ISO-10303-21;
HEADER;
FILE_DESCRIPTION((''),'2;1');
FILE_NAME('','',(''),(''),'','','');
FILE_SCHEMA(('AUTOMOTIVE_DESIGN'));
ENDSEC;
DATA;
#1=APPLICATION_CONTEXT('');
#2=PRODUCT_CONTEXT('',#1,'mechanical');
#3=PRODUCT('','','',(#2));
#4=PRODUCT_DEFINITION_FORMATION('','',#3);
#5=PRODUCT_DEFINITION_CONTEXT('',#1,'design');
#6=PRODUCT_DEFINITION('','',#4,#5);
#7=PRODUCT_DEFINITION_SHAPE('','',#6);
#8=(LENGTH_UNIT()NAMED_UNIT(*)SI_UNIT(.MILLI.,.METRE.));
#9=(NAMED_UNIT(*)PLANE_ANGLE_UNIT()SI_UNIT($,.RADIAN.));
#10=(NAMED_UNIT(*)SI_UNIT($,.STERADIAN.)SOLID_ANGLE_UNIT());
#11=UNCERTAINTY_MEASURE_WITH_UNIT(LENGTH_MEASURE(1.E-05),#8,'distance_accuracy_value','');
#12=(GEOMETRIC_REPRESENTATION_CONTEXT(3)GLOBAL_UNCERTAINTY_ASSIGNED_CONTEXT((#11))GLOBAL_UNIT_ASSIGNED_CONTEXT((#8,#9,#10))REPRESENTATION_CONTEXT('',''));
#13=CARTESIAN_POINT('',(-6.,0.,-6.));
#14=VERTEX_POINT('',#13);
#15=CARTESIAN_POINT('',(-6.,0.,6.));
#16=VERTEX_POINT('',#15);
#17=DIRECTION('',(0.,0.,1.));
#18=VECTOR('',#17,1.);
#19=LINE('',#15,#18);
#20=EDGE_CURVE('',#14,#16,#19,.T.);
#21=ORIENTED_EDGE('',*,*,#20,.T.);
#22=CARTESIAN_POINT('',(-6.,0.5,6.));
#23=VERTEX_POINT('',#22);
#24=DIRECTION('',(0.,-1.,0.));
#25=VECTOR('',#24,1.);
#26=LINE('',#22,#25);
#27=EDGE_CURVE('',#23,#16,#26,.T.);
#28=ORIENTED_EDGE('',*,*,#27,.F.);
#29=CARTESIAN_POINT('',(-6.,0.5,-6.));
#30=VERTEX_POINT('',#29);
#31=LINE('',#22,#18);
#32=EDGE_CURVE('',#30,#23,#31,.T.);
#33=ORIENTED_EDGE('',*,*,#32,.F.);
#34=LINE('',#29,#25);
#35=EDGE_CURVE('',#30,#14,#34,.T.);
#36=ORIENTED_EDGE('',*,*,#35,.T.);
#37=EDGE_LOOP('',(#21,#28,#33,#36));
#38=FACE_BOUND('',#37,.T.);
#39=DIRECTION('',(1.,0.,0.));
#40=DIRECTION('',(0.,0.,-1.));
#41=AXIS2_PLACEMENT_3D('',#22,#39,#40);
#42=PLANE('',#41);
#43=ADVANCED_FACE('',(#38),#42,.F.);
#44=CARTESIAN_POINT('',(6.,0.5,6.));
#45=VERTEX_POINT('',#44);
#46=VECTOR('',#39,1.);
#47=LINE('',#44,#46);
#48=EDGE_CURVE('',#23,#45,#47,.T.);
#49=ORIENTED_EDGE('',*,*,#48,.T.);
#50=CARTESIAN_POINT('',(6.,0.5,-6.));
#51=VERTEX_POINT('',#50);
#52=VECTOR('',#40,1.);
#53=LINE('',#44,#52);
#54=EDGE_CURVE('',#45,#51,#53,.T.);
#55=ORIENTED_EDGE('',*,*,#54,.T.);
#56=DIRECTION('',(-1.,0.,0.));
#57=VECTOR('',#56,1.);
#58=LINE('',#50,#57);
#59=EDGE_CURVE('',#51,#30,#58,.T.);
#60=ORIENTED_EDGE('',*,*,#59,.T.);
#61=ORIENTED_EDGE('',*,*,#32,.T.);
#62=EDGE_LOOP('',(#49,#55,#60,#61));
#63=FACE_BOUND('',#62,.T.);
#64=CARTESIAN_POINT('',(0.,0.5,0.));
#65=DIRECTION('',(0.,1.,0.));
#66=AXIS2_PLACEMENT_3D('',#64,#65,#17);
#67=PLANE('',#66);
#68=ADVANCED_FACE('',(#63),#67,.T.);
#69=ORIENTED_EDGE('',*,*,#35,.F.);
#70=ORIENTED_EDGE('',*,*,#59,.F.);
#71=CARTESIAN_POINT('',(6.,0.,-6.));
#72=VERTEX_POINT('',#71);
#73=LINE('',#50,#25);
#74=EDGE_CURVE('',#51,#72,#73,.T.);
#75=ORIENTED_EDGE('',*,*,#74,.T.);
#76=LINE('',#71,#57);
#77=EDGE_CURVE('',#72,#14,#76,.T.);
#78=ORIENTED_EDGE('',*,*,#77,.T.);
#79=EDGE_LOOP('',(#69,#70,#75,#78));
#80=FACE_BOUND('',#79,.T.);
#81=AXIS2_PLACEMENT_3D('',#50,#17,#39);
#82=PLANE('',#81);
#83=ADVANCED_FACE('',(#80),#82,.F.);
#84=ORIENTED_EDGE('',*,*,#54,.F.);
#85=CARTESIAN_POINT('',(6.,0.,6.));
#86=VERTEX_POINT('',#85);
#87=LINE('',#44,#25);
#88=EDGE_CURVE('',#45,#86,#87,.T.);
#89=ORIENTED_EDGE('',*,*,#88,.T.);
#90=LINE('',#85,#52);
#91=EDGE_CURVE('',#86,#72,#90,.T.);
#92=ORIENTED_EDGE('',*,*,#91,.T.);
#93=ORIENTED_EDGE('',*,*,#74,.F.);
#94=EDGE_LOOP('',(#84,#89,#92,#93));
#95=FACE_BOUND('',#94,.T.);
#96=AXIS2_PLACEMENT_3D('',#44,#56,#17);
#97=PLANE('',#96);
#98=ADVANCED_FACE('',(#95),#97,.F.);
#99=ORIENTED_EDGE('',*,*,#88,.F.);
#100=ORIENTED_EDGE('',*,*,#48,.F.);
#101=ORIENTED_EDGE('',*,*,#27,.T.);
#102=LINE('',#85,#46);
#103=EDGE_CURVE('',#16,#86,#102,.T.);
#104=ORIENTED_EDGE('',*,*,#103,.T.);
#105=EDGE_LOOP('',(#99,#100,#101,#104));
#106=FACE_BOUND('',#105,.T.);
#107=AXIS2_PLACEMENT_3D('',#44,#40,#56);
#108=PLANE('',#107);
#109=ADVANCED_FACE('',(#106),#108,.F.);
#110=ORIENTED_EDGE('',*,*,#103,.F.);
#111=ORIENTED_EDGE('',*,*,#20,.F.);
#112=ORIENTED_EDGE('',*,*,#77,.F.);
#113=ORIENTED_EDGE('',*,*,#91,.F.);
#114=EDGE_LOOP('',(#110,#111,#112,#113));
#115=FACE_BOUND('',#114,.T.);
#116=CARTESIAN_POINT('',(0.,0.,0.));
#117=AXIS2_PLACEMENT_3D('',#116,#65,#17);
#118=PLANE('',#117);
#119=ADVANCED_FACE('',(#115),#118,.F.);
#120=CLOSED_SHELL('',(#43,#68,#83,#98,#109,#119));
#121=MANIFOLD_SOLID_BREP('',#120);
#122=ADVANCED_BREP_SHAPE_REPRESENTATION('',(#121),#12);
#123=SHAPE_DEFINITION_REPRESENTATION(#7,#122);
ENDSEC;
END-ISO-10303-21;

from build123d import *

# Parameters (mm, degrees)
SZKIC1_W                    = 12
SZKIC1_H                    = 12
DODANIE_WYCI_GNI_CIE1_DEPTH = 0.5


with BuildPart() as part:
    # Szkic1 → Dodanie-wyciągnięcie1 (new body)
    with BuildSketch(Plane(origin=(0, 0, 0), x_dir=(1, 0, 0), z_dir=(0, 1, 0))):
        Rectangle(SZKIC1_W, SZKIC1_H)
    extrude(amount=DODANIE_WYCI_GNI_CIE1_DEPTH)


solid = part.part
